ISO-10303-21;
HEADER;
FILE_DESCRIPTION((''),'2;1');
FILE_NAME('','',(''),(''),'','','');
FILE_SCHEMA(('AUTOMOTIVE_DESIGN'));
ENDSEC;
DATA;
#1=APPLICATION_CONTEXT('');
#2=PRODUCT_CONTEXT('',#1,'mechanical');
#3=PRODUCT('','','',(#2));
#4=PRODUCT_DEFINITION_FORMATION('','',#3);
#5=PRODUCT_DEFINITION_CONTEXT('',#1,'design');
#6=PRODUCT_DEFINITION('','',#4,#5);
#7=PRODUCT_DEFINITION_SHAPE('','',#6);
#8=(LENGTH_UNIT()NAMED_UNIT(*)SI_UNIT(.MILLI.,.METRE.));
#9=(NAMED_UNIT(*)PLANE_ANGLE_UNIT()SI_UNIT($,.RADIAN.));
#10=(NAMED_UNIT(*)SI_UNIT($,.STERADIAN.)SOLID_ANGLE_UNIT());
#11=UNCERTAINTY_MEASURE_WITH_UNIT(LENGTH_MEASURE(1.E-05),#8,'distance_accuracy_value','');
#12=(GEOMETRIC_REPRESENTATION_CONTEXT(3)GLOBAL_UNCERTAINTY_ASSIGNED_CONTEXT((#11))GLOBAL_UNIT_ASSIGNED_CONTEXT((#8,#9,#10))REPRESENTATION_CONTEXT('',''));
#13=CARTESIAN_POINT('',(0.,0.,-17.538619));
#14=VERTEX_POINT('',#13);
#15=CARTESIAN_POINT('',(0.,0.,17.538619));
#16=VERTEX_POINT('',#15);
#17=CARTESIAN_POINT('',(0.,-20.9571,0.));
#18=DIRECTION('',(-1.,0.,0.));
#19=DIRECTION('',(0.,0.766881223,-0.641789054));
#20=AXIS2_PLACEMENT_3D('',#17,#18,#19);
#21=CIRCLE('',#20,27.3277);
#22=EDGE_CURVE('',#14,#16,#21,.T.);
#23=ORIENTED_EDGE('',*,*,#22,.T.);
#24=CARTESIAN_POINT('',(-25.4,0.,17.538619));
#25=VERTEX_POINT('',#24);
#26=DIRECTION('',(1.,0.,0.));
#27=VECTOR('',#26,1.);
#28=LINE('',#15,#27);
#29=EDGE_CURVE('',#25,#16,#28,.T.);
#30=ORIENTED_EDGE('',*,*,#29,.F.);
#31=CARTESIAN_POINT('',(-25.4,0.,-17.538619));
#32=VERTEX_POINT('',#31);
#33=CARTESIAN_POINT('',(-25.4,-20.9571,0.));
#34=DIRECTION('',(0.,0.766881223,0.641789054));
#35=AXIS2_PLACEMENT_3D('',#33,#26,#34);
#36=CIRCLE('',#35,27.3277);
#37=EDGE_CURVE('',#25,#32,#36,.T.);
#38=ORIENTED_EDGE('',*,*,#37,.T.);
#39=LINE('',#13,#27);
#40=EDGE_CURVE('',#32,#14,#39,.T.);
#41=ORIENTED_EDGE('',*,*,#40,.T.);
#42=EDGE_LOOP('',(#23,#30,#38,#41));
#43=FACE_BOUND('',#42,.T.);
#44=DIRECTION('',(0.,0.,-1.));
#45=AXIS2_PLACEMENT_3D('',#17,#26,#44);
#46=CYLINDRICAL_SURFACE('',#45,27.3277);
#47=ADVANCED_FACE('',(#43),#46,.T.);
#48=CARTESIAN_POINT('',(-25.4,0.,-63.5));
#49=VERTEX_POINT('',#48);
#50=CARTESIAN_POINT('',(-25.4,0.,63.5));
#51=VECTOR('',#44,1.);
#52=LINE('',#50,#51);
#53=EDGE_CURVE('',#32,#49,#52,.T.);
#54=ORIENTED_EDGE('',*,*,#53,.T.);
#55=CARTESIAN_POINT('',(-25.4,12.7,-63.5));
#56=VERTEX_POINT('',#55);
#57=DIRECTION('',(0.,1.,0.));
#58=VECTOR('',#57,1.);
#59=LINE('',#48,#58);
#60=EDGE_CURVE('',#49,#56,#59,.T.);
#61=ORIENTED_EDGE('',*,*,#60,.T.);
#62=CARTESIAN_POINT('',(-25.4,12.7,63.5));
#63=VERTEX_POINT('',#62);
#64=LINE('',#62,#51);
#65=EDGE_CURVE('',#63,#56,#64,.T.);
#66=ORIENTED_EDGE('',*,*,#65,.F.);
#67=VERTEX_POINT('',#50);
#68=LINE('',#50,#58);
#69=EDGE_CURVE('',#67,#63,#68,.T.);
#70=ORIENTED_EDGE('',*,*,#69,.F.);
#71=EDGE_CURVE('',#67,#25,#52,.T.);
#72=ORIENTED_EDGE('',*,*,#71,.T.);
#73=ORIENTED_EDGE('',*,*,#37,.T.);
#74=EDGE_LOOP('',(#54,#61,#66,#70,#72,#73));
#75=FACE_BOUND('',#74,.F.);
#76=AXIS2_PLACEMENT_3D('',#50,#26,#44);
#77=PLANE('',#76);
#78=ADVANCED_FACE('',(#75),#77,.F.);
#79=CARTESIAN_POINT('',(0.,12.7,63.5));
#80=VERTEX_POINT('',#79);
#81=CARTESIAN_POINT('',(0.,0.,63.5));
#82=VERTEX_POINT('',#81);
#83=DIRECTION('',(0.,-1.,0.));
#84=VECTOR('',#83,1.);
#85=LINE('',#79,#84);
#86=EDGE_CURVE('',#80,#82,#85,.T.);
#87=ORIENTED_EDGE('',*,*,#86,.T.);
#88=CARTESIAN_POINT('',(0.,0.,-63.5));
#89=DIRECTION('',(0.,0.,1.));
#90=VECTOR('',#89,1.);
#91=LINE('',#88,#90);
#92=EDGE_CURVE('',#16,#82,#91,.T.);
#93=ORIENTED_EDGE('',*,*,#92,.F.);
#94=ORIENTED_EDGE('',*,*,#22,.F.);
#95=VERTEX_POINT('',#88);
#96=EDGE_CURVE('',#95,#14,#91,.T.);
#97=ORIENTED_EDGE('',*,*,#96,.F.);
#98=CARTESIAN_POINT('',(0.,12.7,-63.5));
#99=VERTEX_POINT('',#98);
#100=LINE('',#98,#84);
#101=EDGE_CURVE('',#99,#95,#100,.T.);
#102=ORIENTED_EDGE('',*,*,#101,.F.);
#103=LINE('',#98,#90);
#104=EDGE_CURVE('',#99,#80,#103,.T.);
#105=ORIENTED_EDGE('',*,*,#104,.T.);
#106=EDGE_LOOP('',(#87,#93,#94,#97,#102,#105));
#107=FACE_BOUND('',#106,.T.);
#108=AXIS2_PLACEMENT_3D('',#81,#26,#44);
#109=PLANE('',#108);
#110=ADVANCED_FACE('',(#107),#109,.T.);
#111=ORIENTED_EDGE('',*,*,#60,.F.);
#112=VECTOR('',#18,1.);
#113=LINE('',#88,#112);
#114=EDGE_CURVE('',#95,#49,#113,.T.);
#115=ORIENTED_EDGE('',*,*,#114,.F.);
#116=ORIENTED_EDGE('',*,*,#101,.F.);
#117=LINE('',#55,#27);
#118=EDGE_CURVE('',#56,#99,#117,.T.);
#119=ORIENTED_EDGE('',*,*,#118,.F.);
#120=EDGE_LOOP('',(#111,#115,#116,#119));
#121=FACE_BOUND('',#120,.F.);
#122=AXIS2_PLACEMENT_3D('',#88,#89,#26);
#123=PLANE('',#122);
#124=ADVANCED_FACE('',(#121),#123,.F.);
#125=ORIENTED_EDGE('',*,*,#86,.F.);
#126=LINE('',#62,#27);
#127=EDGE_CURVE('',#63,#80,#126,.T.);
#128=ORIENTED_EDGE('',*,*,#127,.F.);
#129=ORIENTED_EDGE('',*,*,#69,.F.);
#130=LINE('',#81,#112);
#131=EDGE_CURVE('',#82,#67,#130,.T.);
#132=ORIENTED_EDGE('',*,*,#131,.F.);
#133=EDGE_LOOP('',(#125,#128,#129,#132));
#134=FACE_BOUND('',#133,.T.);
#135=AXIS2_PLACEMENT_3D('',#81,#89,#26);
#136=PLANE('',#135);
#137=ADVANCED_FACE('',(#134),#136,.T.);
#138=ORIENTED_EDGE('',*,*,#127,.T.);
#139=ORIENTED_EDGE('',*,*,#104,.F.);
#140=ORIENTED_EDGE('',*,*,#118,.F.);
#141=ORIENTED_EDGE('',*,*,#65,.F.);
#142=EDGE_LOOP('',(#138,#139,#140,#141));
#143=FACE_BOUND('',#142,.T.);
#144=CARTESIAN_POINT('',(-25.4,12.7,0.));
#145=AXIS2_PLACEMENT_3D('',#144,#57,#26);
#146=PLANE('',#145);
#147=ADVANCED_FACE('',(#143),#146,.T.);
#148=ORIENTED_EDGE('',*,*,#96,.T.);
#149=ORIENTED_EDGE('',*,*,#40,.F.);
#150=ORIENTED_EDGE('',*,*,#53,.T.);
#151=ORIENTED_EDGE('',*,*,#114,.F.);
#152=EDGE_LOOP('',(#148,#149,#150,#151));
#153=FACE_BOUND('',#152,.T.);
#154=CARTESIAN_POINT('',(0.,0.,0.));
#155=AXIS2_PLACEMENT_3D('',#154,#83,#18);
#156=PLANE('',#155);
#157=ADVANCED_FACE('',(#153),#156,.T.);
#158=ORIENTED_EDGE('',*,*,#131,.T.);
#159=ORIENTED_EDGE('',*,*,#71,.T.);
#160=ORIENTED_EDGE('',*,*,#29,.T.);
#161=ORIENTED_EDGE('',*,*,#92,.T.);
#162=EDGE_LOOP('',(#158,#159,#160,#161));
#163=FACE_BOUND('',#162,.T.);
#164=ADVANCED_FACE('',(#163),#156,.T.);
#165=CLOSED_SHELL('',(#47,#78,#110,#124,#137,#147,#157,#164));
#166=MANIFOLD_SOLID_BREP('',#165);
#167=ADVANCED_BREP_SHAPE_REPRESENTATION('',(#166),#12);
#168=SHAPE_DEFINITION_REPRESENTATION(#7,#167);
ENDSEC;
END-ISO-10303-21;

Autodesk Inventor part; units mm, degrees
ref_plane "YZ Plane" through (0, 0, 0) normal (1, 0, 0) x (0, 1, 0)
ref_plane "XZ Plane" through (0, 0, 0) normal (0, 1, 0) x (-1, 0, 0)
ref_plane "XY Plane" through (0, 0, 0) normal (0, 0, 1) x (1, 0, 0)
sketch "Sketch1" plane through (0, 0, 0) normal (0, 0, 1) x (1, 0, 0)
  line L0 (0, 0) -> (-25.4, 0)
  line L1 (-25.4, 0) -> (-25.4, 12.7)
  line L2 (-25.4, 12.7) -> (0, 12.7)
  line L3 (0, 12.7) -> (0, 0)
  dimension "d0" = 25.4
  dimension "d1" = 12.7
extrude "Extrusion1" add sketch "Sketch1" along normal mid plane 127
sketch "Sketch2" plane through (0, 0, 63.5) normal (1, 0, 0) x (0, 0, -1)
  line L0 (63.5, 0) -> (63.5, 6.35) construction
  dimension "d4" = 6.35
sketch "Sketch3" plane through (0, 0, 63.5) normal (1, 0, 0) x (0, 0, -1)
  circle A0 centre (63.5, -20.9571) radius 27.3277
  point P0 (63.5, 0)
extrude "Extrusion2" add sketch "Sketch3" against normal blind 25.4
